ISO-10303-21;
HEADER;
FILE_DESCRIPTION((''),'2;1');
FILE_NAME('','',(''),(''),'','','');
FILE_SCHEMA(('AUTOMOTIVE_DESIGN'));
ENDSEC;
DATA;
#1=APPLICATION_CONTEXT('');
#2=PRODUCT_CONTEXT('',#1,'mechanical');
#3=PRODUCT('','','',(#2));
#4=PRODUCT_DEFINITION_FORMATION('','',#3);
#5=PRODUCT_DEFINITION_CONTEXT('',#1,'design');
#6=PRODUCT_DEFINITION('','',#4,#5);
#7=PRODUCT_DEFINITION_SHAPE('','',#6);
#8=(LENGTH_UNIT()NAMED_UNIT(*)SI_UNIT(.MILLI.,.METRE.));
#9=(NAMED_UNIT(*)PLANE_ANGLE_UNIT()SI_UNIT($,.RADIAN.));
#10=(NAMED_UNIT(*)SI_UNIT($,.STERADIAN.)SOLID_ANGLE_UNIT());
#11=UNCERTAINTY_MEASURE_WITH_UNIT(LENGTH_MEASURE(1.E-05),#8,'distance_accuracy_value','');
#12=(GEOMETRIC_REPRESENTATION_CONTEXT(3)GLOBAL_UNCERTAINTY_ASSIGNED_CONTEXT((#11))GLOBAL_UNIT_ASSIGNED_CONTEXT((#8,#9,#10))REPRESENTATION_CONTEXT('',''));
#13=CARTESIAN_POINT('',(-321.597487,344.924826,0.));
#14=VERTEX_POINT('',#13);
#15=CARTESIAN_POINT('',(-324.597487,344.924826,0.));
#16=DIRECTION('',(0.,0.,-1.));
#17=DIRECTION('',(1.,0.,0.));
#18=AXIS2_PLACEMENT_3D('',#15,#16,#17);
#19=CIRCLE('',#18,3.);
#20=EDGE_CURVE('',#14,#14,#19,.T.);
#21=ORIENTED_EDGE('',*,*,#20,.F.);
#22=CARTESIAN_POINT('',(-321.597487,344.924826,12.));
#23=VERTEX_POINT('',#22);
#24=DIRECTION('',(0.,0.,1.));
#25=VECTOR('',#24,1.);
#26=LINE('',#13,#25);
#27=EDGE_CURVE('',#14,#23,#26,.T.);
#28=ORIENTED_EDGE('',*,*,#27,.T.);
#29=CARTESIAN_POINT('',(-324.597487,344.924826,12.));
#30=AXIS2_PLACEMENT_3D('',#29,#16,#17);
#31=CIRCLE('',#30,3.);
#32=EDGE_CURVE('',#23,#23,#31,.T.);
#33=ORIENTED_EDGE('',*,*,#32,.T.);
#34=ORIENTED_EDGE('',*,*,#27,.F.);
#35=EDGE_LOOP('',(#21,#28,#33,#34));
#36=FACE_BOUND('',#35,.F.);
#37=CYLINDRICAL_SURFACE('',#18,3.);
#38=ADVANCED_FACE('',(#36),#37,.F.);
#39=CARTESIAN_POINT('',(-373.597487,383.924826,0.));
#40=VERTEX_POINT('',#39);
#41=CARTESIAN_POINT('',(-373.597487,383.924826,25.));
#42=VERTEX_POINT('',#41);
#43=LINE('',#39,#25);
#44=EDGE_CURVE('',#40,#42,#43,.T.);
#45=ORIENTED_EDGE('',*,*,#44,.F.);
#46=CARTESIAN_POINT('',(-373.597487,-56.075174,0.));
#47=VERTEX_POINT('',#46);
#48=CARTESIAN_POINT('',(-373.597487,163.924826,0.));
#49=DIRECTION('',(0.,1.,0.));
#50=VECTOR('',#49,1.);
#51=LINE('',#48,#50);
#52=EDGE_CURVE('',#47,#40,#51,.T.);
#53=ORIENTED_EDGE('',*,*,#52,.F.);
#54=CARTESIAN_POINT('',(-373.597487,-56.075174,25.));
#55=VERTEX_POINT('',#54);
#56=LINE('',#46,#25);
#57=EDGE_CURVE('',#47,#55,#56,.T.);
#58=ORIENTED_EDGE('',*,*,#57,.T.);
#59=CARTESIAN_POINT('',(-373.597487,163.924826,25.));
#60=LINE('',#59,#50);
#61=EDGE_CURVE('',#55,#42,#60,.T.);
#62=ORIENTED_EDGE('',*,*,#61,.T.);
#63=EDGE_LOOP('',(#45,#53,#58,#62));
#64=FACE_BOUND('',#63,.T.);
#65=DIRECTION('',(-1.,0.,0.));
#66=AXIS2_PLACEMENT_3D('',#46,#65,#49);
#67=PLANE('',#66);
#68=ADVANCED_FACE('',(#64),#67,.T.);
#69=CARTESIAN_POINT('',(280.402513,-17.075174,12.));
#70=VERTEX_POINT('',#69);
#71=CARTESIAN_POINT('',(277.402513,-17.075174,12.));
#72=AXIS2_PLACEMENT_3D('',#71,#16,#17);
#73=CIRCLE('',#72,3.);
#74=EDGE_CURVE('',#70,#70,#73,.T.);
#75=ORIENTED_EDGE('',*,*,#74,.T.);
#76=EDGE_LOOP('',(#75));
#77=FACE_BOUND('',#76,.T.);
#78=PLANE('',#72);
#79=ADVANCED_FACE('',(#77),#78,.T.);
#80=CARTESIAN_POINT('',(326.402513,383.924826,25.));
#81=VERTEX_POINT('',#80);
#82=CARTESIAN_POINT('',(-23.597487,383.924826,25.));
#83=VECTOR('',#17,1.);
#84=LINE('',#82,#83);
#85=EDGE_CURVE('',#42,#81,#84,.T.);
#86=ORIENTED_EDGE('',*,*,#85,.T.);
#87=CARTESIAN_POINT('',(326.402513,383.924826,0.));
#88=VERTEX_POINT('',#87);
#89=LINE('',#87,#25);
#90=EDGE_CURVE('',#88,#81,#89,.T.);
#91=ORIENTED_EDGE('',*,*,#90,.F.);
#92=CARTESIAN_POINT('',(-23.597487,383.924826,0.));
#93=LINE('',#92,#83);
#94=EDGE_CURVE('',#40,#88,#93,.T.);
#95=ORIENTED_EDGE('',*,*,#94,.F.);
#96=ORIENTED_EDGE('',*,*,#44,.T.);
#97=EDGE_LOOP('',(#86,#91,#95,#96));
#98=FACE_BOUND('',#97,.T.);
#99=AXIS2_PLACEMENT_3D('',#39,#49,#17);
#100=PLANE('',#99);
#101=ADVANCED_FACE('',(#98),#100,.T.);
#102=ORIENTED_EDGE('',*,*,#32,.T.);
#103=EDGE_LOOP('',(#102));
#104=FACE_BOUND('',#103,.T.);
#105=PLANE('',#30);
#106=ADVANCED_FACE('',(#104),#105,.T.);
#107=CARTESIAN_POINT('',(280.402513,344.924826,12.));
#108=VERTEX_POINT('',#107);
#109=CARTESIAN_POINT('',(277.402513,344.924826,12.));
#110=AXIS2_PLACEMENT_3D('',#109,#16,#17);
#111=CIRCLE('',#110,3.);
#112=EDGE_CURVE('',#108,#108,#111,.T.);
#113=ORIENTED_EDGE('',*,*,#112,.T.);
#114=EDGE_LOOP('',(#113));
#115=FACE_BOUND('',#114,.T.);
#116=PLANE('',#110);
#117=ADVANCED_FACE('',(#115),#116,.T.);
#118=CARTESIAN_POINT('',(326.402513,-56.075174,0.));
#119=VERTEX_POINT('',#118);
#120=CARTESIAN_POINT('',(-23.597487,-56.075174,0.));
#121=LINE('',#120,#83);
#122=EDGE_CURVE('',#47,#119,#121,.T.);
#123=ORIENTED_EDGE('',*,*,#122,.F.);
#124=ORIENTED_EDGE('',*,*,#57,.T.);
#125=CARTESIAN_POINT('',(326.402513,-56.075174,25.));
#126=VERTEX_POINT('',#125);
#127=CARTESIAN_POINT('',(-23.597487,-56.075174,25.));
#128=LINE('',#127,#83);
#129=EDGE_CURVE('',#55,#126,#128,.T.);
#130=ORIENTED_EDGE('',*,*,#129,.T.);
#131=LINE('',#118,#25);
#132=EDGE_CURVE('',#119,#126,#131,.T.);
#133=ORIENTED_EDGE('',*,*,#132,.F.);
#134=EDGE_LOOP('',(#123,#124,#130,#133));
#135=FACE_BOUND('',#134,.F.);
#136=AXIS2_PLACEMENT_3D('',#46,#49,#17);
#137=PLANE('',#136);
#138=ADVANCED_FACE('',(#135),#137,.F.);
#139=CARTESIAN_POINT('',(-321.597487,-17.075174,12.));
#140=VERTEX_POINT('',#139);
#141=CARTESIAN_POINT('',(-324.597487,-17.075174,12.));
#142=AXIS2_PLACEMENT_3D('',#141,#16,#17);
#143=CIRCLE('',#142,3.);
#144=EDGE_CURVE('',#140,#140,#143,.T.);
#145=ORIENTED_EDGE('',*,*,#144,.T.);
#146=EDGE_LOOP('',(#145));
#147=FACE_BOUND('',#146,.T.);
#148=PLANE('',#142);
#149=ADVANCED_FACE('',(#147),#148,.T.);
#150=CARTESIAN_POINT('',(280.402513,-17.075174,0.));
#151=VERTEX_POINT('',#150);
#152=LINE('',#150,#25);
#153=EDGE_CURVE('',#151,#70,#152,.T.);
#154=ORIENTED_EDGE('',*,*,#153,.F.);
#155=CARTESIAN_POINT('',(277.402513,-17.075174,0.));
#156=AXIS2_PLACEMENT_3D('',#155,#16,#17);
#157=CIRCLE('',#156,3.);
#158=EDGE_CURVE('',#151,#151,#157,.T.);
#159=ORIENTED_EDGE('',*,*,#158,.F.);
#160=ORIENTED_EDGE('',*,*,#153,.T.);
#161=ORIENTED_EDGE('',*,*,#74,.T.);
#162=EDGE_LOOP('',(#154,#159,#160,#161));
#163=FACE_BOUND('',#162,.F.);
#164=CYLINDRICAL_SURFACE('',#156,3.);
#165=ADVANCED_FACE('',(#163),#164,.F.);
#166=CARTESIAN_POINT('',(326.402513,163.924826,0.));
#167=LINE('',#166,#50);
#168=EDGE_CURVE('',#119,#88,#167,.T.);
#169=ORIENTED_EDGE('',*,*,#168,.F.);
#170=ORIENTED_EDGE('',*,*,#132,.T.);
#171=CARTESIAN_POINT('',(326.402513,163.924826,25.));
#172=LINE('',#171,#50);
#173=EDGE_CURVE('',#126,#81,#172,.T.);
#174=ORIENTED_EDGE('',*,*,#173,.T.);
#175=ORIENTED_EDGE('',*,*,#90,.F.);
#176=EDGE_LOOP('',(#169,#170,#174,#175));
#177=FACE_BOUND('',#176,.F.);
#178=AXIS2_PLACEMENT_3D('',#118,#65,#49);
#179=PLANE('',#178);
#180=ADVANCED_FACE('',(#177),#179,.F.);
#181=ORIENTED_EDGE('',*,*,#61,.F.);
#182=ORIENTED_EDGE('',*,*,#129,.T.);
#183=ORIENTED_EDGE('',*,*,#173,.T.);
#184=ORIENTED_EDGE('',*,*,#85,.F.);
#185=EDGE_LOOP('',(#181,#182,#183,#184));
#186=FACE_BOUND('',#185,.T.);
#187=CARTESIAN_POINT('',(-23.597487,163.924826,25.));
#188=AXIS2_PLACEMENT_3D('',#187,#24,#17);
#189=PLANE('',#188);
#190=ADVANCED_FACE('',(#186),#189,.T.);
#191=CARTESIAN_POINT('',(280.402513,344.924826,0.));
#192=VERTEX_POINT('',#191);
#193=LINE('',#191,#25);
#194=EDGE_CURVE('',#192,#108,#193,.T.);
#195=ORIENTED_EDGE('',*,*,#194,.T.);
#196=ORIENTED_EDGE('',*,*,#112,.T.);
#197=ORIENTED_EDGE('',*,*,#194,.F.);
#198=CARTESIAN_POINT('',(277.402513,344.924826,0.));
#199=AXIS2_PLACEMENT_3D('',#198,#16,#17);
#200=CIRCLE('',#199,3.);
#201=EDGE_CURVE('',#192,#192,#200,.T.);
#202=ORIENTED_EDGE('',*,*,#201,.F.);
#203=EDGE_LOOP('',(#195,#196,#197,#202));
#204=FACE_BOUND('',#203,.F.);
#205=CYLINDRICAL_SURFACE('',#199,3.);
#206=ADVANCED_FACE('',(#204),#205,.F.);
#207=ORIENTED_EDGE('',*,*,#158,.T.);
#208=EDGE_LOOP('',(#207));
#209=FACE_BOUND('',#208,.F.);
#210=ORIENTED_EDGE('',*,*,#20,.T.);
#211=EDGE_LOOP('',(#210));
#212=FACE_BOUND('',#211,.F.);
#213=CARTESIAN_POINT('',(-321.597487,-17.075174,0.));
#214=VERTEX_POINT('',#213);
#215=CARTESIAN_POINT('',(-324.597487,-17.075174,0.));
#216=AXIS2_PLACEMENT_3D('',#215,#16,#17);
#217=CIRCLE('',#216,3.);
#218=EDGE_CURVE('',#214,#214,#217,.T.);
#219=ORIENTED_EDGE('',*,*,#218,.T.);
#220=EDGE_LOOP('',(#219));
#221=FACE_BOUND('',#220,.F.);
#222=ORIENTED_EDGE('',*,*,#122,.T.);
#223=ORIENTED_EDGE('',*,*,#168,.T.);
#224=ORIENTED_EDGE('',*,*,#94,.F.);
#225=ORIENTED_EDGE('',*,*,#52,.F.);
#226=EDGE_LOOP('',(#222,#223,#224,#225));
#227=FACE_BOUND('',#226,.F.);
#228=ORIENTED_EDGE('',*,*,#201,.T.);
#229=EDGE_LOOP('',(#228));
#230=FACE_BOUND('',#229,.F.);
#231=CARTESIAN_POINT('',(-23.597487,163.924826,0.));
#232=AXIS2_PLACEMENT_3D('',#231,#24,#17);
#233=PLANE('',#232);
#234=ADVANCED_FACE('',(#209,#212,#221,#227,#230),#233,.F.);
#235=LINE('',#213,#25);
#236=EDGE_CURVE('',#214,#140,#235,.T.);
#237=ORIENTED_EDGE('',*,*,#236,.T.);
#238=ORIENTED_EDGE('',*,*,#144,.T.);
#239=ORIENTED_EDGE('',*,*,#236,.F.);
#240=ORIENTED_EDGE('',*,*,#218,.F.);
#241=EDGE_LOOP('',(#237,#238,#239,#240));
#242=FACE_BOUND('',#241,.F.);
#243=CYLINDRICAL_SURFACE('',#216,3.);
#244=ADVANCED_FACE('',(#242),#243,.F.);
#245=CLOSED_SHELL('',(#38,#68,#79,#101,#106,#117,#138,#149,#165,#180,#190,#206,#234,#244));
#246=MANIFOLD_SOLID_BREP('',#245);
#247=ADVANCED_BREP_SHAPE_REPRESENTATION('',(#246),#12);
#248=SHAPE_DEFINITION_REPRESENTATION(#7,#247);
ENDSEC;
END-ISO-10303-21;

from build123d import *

# Parameters (mm, degrees)
F0_W     = 700
F0_H     = 440
F1_DEPTH = 25
F2_R     = 3
F3_DEPTH = 12


with BuildPart() as f1:
    # F0 (on Top) → F1 (new body)
    with BuildSketch(Plane.XY):
        with Locations((-23.597487, 163.924826)):
            Rectangle(F0_W, F0_H)
    extrude(amount=F1_DEPTH)

    # F2 (on face) → F3 (cut)
    with BuildSketch(Plane(origin=(0, 0, 0), x_dir=(1, 0, 0), z_dir=(0, 0, -1))):
        with Locations((277.402513, 17.075174)):
            Circle(F2_R)
        with Locations((-324.597487, -344.924826)):
            Circle(F2_R)
        with Locations((277.402513, -344.924826)):
            Circle(F2_R)
        with Locations((-324.597487, 17.075174)):
            Circle(F2_R)
    extrude(amount=-F3_DEPTH, mode=Mode.SUBTRACT)


solid = f1.part
